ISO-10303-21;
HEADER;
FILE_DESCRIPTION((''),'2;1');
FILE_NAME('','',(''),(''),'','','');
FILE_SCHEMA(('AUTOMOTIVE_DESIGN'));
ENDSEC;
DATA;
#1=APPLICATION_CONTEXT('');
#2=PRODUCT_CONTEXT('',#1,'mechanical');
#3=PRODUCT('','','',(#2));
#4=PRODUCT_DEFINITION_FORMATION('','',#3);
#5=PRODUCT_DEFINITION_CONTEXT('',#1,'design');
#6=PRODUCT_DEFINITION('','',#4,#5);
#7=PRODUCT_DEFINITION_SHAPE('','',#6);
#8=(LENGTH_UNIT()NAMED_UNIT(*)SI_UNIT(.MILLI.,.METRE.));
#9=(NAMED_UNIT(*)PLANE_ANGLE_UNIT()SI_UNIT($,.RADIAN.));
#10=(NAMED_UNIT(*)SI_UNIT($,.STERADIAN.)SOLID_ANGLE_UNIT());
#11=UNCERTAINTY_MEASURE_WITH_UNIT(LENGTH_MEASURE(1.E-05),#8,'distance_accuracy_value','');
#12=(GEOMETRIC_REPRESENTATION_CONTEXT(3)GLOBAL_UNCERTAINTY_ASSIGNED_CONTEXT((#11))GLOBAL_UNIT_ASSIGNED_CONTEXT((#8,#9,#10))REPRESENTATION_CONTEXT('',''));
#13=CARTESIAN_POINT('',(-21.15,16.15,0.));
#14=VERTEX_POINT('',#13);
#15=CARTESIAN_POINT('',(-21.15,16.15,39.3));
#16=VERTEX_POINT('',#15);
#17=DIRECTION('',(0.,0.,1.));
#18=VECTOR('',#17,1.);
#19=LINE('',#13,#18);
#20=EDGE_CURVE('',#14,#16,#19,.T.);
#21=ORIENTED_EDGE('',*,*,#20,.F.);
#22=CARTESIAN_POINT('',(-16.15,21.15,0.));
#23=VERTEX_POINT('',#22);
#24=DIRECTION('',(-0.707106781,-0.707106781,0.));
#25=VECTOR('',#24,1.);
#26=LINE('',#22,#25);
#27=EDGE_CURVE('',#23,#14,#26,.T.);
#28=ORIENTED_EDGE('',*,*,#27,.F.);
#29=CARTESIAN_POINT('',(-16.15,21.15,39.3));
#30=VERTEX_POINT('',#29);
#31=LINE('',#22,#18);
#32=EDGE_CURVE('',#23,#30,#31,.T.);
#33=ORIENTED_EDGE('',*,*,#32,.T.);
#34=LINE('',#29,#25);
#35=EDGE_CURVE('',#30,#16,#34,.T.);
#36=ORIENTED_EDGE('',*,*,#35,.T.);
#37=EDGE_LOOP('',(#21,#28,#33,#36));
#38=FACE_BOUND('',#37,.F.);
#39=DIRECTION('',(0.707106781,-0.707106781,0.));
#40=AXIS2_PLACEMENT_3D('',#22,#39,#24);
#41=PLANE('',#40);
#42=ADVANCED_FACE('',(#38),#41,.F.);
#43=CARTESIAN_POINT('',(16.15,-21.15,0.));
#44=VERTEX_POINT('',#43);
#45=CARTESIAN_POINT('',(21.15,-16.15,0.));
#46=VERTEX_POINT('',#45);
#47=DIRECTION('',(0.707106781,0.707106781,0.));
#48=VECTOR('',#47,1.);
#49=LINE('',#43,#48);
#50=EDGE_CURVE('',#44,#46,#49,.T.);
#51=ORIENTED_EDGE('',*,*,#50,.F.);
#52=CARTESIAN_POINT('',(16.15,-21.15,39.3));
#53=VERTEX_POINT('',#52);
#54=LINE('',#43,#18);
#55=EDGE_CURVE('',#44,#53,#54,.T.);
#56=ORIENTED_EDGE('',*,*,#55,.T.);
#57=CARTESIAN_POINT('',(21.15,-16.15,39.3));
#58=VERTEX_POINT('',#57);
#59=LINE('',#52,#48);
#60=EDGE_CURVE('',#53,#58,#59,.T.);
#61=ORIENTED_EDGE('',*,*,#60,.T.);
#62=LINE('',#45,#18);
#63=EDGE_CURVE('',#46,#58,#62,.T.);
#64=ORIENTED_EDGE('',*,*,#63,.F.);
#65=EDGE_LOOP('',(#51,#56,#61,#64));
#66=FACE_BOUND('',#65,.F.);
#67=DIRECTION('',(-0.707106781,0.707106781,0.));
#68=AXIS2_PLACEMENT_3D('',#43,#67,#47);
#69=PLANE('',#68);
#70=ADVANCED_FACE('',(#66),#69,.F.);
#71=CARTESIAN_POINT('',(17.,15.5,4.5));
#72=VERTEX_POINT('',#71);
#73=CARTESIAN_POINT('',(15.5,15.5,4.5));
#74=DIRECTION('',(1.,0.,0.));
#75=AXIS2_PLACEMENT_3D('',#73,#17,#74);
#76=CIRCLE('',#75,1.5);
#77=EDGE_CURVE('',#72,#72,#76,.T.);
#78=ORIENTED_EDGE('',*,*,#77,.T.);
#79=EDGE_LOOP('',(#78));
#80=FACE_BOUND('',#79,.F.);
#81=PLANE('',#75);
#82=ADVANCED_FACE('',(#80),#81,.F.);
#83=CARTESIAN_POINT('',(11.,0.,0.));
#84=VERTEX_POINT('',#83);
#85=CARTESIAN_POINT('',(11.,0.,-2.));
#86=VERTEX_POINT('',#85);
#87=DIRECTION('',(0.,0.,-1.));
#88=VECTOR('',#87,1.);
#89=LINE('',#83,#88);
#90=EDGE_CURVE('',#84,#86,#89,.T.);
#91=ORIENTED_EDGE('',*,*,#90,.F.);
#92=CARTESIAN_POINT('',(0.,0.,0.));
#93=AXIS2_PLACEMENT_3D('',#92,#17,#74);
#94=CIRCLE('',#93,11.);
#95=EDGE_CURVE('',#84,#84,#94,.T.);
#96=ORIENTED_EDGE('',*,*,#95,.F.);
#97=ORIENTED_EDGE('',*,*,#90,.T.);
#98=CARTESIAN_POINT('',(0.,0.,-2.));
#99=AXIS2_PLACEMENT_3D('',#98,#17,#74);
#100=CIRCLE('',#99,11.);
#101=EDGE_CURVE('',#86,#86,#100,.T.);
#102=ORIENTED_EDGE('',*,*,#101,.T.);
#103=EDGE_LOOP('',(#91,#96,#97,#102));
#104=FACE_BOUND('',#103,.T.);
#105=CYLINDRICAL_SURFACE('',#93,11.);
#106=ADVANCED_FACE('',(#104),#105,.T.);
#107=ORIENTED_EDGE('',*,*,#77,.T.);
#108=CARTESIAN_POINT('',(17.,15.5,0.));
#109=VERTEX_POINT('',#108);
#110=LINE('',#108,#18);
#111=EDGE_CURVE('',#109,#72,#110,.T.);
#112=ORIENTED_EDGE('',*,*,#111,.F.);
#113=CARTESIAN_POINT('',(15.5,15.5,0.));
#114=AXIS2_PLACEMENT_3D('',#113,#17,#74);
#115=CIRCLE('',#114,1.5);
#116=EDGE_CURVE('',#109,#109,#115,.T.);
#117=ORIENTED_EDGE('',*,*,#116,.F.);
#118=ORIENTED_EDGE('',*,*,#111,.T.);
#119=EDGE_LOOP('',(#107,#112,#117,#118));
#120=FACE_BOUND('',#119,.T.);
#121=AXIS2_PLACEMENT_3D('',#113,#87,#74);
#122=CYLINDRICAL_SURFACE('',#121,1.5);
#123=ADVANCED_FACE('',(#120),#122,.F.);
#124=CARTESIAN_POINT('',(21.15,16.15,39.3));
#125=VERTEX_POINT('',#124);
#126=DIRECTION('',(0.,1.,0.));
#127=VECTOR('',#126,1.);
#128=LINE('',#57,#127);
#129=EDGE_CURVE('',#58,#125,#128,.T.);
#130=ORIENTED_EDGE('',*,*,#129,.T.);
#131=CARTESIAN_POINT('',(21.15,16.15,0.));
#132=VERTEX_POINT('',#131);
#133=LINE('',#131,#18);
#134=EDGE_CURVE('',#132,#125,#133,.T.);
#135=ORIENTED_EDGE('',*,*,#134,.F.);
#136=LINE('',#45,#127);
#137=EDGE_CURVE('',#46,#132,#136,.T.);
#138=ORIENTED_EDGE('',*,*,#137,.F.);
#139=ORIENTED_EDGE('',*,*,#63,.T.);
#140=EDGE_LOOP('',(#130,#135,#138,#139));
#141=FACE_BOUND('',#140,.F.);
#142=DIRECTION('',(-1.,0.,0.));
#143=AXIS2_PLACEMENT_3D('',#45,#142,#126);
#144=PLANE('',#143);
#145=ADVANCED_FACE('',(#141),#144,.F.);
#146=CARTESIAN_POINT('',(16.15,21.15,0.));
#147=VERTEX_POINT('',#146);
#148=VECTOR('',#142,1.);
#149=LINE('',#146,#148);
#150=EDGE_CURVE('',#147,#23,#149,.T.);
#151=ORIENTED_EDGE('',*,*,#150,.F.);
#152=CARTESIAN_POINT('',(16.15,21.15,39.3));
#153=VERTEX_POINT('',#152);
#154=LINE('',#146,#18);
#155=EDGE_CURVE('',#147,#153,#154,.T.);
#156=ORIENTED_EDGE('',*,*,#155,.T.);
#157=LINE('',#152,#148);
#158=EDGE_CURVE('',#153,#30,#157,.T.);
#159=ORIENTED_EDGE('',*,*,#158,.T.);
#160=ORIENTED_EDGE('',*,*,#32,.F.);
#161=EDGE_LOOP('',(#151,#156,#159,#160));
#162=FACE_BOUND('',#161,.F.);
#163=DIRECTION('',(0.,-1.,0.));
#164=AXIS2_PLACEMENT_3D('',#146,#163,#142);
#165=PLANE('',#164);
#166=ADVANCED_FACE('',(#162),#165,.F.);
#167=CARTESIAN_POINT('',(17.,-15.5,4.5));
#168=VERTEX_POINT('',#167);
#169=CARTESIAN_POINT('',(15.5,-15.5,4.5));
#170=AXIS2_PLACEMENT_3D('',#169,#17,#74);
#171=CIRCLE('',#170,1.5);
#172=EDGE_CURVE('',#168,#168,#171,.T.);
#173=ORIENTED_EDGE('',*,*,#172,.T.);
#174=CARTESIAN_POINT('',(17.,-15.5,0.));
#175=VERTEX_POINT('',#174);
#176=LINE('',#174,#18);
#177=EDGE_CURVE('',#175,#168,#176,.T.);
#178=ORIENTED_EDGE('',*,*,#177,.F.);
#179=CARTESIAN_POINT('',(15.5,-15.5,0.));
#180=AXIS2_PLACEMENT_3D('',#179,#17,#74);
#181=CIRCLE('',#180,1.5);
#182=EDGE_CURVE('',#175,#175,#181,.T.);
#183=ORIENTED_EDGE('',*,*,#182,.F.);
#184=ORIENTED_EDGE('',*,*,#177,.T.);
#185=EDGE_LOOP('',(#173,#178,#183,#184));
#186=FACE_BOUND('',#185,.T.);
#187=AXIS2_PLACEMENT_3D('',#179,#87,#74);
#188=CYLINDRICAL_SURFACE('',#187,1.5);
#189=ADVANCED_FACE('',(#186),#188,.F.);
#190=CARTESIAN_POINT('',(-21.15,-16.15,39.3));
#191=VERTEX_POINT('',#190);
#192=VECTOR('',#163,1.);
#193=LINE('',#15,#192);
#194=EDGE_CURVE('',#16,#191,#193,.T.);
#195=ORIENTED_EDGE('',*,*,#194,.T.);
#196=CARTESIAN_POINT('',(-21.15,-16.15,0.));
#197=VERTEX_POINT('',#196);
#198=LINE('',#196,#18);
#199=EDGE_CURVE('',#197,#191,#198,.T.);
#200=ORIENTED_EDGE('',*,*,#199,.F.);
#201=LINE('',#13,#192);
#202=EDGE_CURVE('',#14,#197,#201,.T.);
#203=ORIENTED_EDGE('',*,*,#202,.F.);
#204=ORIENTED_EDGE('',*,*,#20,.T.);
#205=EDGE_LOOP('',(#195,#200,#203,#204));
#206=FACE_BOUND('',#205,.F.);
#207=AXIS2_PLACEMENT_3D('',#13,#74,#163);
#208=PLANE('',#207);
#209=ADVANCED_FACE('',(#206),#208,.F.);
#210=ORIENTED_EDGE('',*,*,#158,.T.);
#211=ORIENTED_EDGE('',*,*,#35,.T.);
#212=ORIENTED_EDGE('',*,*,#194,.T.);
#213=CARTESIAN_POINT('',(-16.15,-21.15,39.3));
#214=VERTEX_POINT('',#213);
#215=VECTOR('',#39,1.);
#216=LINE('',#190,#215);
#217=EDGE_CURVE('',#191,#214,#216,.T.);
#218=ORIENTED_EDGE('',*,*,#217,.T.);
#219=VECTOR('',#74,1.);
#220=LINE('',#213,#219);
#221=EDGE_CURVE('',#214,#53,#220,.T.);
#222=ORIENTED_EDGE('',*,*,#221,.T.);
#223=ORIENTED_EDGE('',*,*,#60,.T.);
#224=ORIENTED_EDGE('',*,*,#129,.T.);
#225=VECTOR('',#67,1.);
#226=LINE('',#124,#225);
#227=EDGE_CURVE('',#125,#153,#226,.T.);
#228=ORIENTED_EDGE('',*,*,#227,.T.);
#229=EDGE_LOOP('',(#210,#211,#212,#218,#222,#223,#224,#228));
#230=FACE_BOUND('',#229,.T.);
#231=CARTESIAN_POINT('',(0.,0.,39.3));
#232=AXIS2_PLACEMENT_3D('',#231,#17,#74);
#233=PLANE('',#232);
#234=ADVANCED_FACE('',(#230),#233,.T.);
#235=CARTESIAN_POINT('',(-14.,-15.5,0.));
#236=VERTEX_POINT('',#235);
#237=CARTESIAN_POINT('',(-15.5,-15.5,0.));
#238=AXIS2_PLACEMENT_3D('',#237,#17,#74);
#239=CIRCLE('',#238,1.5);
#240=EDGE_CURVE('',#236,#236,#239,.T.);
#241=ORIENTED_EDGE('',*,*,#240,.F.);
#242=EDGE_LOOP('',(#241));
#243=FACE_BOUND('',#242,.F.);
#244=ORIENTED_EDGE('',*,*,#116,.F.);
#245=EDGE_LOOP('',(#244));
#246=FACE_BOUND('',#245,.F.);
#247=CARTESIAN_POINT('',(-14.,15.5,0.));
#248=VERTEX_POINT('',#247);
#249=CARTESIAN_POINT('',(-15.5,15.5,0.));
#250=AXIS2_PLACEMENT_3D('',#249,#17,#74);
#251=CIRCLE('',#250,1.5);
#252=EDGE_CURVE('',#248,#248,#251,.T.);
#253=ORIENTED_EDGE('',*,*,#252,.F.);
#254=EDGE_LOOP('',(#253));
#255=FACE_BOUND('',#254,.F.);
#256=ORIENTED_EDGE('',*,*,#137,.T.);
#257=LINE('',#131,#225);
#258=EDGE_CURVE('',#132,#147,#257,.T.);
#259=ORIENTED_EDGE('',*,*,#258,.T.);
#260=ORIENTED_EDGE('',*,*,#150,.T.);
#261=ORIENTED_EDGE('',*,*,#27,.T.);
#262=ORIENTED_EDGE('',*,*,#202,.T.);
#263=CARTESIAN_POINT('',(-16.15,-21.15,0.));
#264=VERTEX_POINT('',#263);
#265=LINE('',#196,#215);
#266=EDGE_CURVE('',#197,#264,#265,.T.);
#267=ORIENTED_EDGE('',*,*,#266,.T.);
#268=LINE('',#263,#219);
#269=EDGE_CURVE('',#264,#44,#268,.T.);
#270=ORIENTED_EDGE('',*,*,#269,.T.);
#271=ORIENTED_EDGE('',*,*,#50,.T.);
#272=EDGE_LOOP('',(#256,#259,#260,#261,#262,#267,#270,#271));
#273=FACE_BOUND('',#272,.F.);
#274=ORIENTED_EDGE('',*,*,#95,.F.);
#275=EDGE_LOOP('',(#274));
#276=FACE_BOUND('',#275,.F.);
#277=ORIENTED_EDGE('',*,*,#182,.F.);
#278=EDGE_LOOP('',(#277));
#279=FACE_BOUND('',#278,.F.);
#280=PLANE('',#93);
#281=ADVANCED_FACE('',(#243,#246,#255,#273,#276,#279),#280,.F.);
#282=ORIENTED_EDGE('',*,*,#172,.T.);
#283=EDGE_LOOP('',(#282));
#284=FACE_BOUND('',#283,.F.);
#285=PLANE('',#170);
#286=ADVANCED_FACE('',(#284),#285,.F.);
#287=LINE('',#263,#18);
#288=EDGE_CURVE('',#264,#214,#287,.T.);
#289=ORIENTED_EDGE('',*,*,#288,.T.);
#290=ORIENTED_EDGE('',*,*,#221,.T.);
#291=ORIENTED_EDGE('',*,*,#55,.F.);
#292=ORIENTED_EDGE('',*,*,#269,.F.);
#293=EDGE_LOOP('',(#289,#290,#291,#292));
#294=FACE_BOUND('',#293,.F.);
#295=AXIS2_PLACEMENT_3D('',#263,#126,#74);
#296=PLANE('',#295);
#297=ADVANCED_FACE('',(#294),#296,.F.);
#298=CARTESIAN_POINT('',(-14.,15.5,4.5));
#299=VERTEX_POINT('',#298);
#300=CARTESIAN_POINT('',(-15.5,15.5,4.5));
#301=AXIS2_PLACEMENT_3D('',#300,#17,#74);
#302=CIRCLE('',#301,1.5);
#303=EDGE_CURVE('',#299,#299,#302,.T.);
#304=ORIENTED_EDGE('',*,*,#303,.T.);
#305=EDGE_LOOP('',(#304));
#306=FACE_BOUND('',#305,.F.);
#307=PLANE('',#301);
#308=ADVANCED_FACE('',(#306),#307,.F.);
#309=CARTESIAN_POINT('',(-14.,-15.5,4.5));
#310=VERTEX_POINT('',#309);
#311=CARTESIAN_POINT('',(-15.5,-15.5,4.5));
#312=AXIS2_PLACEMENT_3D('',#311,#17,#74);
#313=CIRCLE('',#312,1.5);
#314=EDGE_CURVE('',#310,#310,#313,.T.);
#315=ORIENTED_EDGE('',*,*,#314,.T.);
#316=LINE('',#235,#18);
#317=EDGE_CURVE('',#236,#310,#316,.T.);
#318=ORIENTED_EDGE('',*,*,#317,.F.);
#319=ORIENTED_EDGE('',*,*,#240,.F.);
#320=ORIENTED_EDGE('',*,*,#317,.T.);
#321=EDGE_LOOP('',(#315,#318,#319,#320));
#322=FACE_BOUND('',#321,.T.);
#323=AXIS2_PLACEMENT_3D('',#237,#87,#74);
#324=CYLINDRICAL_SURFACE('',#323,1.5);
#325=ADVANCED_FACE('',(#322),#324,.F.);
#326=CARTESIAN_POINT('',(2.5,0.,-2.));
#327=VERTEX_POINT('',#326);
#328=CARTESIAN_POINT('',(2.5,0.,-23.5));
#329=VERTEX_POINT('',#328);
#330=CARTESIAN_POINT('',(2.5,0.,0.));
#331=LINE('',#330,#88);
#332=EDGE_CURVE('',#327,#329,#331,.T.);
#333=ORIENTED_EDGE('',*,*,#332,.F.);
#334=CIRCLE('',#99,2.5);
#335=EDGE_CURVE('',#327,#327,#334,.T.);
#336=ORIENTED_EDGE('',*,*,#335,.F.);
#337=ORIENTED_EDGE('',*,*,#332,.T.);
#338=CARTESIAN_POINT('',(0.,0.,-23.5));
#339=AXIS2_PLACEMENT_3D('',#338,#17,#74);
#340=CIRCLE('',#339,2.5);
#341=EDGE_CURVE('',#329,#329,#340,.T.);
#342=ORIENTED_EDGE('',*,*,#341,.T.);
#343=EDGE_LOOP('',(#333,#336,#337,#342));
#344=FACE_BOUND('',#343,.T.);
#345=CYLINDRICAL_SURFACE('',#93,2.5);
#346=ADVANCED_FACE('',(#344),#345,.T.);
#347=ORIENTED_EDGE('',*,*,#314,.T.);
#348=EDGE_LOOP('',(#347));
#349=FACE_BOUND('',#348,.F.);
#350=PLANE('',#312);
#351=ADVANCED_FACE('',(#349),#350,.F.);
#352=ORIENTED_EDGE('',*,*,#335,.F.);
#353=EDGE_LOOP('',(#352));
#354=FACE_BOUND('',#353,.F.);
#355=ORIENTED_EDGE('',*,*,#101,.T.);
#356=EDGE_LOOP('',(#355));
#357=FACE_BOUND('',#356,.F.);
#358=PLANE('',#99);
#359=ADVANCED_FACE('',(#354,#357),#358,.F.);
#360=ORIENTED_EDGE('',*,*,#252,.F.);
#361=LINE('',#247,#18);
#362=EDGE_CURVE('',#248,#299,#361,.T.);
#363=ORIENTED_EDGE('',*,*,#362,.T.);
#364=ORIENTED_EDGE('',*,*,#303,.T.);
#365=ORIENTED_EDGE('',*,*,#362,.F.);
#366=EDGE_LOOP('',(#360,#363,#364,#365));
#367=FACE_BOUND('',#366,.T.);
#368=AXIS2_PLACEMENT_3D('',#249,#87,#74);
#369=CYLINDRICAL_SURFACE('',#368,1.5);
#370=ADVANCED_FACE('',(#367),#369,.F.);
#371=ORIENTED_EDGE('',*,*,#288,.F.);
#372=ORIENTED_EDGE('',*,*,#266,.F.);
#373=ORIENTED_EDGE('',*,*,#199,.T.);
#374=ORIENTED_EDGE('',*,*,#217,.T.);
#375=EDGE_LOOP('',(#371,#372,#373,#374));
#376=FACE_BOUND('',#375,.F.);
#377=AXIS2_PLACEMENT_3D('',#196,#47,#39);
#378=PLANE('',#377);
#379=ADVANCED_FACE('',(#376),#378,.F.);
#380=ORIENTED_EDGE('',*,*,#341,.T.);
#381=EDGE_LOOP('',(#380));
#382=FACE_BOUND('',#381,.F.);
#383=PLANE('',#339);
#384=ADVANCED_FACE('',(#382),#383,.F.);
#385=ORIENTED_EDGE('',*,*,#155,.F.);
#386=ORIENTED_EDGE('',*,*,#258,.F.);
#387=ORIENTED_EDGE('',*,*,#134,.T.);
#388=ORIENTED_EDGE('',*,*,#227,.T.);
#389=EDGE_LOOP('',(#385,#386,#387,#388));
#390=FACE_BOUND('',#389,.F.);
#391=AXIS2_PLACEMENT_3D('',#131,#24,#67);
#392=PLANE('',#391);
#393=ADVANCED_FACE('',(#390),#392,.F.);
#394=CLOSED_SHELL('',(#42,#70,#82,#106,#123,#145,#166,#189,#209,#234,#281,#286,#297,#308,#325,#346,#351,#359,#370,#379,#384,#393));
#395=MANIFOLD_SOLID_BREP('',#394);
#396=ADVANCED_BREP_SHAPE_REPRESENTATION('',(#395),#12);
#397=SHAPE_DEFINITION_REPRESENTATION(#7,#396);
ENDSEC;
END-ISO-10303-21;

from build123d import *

# Parameters (mm, degrees)
PAD_DEPTH    = 39.3
SKETCH001_R  = 1.5
POCKET_DEPTH = 4.5
SKETCH002_R  = 11
PAD001_DEPTH = 2
SKETCH003_R  = 2.5
PAD002_DEPTH = 23.5


with BuildPart() as part:
    # Sketch → Pad (new body)
    with BuildSketch(Plane.XY):
        Polygon((-16.15, 21.15), (-21.15, 16.15), (-21.15, -16.15), (-16.15, -21.15), (16.15, -21.15), (21.15, -16.15), (21.15, 16.15), (16.15, 21.15), align=None)
    extrude(amount=PAD_DEPTH)

    # Sketch001 → Pocket (cut)
    with BuildSketch(Plane.XY):
        with Locations((-15.5, 15.5)):
            Circle(SKETCH001_R)
        with Locations((-15.5, -15.5)):
            Circle(SKETCH001_R)
        with Locations((15.5, -15.5)):
            Circle(SKETCH001_R)
        with Locations((15.5, 15.5)):
            Circle(SKETCH001_R)
    extrude(amount=POCKET_DEPTH, mode=Mode.SUBTRACT)

    # Sketch002 → Pad001 (join)
    with BuildSketch(Plane.XY):
        Circle(SKETCH002_R)
    extrude(amount=-PAD001_DEPTH)

    # Sketch003 → Pad002 (join)
    with BuildSketch(Plane.XY):
        Circle(SKETCH003_R)
    extrude(amount=-PAD002_DEPTH)


solid = part.part
